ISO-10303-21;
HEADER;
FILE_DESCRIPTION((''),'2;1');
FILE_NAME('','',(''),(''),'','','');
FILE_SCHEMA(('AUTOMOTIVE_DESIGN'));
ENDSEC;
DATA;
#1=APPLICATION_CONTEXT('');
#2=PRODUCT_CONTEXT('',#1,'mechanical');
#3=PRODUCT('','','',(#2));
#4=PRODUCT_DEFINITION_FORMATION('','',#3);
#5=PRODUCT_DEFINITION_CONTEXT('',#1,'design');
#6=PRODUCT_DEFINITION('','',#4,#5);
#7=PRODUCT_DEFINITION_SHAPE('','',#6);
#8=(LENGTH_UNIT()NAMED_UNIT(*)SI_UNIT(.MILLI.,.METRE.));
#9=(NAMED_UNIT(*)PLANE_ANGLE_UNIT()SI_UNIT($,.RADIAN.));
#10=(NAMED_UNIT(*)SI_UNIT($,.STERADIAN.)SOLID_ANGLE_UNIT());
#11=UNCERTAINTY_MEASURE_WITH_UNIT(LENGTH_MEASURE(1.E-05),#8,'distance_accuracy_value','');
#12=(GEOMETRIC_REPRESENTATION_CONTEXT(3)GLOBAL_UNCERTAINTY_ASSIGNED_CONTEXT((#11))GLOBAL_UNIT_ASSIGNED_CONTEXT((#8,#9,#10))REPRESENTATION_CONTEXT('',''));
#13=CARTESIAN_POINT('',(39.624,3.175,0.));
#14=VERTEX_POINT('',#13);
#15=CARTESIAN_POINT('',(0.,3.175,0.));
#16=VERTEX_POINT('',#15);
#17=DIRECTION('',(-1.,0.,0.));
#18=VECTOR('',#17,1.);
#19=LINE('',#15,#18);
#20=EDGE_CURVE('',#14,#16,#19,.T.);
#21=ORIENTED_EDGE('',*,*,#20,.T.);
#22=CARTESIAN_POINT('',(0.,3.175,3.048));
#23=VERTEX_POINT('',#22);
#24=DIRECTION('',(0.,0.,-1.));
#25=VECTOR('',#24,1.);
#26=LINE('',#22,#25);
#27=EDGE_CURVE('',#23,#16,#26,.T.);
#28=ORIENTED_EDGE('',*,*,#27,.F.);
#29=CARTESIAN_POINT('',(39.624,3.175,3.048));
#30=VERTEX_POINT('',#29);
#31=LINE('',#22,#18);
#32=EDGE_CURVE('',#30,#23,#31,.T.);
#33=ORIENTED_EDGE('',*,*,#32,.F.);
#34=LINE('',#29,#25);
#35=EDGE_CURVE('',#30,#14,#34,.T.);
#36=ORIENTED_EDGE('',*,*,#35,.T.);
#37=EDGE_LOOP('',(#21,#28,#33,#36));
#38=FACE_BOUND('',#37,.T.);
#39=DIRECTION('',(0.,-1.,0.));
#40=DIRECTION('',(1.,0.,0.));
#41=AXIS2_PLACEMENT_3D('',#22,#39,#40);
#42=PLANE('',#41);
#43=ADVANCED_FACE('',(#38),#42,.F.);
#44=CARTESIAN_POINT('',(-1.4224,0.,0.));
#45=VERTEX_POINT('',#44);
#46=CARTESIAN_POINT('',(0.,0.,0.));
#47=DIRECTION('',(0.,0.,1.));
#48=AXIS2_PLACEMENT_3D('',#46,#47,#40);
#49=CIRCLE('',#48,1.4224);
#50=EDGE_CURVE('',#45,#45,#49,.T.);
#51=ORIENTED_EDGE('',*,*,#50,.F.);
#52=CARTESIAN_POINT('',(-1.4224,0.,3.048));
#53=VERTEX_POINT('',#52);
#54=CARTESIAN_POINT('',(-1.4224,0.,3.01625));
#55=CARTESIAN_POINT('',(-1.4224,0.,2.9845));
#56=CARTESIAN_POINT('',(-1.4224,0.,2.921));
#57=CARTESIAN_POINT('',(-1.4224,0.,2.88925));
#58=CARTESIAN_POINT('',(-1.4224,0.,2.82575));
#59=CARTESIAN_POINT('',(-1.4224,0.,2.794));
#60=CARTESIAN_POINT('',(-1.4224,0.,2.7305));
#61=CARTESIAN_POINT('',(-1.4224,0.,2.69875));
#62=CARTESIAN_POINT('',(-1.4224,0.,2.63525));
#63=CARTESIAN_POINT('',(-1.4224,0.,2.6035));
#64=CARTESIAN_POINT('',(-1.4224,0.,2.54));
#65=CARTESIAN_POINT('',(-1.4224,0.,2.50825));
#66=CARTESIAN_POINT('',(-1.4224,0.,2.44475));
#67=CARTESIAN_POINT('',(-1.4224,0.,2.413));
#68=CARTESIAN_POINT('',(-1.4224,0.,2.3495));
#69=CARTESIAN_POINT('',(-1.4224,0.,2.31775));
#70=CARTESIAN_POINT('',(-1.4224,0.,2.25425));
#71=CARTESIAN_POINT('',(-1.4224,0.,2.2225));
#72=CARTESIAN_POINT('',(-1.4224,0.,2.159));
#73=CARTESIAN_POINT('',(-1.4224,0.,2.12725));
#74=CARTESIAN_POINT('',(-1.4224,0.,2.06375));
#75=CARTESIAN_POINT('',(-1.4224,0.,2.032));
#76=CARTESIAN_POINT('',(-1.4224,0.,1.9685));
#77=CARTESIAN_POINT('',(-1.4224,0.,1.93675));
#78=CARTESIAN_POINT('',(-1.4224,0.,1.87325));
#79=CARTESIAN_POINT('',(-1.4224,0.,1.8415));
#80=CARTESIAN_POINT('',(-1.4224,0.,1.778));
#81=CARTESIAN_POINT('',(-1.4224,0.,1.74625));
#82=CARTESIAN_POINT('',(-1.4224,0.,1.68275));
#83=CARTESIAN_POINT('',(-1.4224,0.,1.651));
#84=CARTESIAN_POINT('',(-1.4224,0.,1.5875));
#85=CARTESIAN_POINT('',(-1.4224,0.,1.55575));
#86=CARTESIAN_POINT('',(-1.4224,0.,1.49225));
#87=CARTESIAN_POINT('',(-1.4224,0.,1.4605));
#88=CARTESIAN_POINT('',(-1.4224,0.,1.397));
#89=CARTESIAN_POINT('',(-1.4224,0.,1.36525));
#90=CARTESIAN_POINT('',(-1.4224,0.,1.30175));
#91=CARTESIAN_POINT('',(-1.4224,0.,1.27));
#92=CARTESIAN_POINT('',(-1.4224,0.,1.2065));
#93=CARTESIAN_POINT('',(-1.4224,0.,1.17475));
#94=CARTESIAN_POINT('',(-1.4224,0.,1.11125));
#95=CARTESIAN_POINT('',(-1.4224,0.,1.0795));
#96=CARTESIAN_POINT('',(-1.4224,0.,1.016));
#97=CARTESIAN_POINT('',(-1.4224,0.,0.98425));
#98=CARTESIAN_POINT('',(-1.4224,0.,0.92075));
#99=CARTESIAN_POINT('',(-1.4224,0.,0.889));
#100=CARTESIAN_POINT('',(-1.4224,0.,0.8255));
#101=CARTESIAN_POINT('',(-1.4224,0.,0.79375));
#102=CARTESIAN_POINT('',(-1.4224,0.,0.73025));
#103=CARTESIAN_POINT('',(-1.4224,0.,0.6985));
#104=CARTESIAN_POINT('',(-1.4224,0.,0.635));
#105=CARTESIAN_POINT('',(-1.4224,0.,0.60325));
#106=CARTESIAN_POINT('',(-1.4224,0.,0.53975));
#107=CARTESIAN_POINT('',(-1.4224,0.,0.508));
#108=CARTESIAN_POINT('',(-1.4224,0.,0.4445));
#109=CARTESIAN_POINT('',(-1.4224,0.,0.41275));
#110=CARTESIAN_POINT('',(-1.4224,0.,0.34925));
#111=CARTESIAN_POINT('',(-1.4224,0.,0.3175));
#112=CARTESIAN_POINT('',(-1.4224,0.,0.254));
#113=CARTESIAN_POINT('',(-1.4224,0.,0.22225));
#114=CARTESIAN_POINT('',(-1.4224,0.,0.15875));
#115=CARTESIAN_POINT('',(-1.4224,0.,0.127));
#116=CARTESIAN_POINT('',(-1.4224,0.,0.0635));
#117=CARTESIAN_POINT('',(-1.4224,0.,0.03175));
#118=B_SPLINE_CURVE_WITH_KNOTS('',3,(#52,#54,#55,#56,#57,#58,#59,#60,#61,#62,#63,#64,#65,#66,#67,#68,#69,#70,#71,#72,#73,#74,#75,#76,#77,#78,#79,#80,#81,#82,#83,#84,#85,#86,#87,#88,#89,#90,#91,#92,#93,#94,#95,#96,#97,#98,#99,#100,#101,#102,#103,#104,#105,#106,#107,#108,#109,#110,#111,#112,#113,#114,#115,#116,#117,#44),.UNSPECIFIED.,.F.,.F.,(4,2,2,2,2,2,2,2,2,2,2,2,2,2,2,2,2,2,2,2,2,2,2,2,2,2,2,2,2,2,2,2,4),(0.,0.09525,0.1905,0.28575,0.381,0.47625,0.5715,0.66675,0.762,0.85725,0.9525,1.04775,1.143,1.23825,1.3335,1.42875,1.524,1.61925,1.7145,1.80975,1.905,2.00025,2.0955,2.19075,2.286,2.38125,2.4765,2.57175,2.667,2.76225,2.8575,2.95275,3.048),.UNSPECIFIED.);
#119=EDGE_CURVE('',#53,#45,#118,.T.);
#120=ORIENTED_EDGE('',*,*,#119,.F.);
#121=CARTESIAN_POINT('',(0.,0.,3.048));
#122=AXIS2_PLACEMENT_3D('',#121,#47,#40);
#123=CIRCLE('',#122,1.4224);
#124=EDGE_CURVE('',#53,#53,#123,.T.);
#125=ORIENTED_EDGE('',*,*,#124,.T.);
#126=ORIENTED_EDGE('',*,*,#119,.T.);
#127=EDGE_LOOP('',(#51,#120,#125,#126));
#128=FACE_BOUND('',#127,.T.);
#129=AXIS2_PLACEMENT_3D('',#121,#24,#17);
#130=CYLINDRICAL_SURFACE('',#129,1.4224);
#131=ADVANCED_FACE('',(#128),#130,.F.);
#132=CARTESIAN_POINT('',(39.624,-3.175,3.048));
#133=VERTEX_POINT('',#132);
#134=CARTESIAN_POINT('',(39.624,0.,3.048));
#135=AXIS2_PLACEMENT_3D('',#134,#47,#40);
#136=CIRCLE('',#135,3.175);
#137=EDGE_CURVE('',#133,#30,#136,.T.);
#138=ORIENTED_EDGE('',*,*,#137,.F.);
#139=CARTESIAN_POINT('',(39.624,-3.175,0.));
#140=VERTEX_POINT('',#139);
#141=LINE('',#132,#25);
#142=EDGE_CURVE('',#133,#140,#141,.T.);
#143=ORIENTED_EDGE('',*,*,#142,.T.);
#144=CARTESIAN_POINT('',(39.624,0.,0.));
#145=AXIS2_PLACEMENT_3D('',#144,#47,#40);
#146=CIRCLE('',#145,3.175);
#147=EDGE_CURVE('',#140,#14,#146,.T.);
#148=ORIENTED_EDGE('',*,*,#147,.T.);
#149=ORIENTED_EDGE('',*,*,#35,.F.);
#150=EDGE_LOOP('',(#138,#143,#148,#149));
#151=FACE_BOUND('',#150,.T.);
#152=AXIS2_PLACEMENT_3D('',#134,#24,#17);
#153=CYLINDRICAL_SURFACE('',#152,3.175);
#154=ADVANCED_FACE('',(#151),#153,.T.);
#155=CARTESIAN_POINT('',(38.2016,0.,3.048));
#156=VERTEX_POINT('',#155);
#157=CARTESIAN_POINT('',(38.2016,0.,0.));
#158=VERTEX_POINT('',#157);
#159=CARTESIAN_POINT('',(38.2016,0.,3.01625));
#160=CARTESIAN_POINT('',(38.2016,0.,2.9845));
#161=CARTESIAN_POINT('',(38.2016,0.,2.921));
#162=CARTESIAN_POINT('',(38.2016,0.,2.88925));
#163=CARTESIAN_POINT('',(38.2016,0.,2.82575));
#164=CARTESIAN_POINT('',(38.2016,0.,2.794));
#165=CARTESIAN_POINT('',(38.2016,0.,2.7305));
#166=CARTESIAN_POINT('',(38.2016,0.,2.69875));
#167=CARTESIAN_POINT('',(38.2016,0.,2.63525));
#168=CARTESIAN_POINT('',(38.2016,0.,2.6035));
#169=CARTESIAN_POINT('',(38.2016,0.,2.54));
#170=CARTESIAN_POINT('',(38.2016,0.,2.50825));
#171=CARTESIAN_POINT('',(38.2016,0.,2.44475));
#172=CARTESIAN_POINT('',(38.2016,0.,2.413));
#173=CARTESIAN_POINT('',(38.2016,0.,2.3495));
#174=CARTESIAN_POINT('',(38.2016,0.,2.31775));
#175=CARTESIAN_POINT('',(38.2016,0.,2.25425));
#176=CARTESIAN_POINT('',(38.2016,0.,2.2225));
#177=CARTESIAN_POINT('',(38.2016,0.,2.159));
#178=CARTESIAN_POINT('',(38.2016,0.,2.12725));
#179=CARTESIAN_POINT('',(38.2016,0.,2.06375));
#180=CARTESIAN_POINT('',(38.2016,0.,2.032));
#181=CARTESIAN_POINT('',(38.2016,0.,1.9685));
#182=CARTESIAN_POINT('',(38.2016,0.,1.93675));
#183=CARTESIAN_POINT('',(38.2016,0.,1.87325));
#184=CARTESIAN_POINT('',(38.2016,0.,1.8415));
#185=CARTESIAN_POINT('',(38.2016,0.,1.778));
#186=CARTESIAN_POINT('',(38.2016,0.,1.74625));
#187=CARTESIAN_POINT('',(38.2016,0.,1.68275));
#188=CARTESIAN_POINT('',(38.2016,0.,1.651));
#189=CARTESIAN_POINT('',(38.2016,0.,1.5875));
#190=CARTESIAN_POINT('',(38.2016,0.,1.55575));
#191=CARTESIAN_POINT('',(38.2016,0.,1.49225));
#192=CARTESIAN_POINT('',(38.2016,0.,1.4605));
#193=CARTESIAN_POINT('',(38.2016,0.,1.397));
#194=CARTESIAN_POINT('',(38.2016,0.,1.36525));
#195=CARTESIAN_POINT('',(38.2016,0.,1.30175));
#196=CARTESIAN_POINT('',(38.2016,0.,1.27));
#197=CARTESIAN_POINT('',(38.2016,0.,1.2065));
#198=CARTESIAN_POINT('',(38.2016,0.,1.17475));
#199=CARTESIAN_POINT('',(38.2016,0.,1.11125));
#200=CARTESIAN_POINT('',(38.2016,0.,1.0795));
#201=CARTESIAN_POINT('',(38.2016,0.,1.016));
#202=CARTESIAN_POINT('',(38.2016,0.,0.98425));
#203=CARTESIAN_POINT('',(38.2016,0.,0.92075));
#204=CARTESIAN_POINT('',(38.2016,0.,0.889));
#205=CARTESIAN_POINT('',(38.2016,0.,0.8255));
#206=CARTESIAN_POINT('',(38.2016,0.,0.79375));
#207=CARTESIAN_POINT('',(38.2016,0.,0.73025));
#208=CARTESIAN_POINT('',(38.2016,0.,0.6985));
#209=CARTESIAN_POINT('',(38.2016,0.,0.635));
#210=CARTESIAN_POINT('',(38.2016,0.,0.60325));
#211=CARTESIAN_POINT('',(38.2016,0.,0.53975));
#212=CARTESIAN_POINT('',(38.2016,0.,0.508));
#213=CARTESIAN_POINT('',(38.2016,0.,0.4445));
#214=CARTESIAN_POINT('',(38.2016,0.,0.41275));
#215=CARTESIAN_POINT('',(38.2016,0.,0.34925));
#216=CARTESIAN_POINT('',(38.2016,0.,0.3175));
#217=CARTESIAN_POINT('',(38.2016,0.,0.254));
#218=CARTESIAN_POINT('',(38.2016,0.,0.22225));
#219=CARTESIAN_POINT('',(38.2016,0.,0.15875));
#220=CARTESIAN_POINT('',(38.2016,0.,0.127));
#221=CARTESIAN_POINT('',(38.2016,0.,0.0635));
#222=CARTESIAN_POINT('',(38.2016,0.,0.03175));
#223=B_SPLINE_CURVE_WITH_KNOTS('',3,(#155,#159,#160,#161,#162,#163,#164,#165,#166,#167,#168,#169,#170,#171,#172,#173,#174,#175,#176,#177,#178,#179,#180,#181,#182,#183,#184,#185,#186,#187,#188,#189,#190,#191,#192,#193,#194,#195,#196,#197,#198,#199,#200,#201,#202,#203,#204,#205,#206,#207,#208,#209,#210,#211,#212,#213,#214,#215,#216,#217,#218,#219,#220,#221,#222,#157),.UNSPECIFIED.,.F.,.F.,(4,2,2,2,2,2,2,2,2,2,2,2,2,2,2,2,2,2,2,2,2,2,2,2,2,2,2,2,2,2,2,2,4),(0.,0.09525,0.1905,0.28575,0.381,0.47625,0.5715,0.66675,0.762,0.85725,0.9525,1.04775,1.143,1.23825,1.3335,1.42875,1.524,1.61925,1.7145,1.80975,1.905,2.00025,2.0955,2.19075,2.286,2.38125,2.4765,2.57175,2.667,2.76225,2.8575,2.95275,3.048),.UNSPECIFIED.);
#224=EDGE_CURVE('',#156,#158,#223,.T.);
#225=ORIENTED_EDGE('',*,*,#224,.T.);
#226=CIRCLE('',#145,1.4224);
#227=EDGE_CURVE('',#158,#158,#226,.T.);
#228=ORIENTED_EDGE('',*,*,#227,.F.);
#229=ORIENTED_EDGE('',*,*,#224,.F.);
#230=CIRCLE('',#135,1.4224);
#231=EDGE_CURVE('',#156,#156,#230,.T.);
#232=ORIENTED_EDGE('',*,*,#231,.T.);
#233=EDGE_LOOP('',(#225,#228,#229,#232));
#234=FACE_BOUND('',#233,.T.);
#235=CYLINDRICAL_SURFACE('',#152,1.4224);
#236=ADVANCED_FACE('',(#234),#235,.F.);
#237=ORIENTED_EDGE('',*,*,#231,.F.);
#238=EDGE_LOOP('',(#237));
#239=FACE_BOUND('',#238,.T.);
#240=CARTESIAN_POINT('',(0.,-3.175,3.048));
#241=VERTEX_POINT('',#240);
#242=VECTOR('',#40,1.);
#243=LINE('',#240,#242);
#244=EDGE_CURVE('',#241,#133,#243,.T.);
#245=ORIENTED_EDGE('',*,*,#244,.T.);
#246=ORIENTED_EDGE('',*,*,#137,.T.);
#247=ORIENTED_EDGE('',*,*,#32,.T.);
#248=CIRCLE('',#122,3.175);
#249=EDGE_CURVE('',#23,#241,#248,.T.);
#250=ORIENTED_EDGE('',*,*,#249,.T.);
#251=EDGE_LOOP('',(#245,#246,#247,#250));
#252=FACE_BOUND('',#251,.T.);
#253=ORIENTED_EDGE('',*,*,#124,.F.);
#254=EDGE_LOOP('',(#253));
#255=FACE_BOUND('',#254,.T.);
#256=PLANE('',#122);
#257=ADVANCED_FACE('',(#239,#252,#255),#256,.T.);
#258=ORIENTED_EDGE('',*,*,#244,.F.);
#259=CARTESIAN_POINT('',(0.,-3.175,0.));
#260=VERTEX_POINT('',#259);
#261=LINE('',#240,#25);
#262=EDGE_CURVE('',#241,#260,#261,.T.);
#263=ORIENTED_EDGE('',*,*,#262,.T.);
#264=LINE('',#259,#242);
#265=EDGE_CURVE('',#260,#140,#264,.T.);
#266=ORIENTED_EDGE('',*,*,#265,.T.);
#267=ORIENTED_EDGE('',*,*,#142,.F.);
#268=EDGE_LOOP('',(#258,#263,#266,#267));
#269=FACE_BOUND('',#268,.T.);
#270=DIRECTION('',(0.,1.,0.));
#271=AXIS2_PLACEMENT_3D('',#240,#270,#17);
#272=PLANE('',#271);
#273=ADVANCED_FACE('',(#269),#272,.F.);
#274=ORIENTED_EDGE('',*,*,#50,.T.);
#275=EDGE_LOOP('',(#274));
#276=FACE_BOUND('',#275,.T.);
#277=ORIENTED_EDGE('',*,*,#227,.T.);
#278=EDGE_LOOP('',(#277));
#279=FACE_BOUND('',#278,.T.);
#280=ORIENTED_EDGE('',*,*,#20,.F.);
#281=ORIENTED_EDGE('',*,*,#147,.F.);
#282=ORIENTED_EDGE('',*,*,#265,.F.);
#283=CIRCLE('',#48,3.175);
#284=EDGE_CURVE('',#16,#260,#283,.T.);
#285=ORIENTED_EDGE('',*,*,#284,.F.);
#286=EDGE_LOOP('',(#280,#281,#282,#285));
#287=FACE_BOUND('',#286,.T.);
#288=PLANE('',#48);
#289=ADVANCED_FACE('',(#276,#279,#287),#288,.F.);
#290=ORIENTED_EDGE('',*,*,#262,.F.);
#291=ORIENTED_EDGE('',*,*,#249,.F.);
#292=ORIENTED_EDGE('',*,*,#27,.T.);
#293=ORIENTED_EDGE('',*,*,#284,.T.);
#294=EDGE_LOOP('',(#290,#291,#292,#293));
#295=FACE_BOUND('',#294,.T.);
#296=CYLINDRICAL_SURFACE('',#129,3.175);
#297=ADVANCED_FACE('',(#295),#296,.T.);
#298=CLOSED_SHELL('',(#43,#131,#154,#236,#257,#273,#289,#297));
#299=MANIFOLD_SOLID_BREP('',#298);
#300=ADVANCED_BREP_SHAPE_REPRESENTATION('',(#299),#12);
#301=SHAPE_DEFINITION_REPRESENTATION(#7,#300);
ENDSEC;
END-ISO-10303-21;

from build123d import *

# Parameters (mm, degrees)
SKETCH1_R           = 1.4224
BOSS_EXTRUDE1_DEPTH = 3.048


with BuildPart() as part:
    # Sketch1 → Boss-Extrude1 (new body)
    with BuildSketch(Plane.XY):
        with BuildLine():
            Line((0, 3.175), (39.624, 3.175))
            ThreePointArc((39.624, 3.175), (42.799, 0), (39.624, -3.175))
            Line((39.624, -3.175), (0, -3.175))
            ThreePointArc((0, -3.175), (-3.175, 0), (0, 3.175))
        make_face()
        with Locations(Location((0, 0, 0), (0, 0, 180))):
            Circle(SKETCH1_R, mode=Mode.SUBTRACT)
        with Locations(Location((39.624, 0, 0), (0, 0, 180))):
            Circle(SKETCH1_R, mode=Mode.SUBTRACT)
    extrude(amount=BOSS_EXTRUDE1_DEPTH)


solid = part.part
